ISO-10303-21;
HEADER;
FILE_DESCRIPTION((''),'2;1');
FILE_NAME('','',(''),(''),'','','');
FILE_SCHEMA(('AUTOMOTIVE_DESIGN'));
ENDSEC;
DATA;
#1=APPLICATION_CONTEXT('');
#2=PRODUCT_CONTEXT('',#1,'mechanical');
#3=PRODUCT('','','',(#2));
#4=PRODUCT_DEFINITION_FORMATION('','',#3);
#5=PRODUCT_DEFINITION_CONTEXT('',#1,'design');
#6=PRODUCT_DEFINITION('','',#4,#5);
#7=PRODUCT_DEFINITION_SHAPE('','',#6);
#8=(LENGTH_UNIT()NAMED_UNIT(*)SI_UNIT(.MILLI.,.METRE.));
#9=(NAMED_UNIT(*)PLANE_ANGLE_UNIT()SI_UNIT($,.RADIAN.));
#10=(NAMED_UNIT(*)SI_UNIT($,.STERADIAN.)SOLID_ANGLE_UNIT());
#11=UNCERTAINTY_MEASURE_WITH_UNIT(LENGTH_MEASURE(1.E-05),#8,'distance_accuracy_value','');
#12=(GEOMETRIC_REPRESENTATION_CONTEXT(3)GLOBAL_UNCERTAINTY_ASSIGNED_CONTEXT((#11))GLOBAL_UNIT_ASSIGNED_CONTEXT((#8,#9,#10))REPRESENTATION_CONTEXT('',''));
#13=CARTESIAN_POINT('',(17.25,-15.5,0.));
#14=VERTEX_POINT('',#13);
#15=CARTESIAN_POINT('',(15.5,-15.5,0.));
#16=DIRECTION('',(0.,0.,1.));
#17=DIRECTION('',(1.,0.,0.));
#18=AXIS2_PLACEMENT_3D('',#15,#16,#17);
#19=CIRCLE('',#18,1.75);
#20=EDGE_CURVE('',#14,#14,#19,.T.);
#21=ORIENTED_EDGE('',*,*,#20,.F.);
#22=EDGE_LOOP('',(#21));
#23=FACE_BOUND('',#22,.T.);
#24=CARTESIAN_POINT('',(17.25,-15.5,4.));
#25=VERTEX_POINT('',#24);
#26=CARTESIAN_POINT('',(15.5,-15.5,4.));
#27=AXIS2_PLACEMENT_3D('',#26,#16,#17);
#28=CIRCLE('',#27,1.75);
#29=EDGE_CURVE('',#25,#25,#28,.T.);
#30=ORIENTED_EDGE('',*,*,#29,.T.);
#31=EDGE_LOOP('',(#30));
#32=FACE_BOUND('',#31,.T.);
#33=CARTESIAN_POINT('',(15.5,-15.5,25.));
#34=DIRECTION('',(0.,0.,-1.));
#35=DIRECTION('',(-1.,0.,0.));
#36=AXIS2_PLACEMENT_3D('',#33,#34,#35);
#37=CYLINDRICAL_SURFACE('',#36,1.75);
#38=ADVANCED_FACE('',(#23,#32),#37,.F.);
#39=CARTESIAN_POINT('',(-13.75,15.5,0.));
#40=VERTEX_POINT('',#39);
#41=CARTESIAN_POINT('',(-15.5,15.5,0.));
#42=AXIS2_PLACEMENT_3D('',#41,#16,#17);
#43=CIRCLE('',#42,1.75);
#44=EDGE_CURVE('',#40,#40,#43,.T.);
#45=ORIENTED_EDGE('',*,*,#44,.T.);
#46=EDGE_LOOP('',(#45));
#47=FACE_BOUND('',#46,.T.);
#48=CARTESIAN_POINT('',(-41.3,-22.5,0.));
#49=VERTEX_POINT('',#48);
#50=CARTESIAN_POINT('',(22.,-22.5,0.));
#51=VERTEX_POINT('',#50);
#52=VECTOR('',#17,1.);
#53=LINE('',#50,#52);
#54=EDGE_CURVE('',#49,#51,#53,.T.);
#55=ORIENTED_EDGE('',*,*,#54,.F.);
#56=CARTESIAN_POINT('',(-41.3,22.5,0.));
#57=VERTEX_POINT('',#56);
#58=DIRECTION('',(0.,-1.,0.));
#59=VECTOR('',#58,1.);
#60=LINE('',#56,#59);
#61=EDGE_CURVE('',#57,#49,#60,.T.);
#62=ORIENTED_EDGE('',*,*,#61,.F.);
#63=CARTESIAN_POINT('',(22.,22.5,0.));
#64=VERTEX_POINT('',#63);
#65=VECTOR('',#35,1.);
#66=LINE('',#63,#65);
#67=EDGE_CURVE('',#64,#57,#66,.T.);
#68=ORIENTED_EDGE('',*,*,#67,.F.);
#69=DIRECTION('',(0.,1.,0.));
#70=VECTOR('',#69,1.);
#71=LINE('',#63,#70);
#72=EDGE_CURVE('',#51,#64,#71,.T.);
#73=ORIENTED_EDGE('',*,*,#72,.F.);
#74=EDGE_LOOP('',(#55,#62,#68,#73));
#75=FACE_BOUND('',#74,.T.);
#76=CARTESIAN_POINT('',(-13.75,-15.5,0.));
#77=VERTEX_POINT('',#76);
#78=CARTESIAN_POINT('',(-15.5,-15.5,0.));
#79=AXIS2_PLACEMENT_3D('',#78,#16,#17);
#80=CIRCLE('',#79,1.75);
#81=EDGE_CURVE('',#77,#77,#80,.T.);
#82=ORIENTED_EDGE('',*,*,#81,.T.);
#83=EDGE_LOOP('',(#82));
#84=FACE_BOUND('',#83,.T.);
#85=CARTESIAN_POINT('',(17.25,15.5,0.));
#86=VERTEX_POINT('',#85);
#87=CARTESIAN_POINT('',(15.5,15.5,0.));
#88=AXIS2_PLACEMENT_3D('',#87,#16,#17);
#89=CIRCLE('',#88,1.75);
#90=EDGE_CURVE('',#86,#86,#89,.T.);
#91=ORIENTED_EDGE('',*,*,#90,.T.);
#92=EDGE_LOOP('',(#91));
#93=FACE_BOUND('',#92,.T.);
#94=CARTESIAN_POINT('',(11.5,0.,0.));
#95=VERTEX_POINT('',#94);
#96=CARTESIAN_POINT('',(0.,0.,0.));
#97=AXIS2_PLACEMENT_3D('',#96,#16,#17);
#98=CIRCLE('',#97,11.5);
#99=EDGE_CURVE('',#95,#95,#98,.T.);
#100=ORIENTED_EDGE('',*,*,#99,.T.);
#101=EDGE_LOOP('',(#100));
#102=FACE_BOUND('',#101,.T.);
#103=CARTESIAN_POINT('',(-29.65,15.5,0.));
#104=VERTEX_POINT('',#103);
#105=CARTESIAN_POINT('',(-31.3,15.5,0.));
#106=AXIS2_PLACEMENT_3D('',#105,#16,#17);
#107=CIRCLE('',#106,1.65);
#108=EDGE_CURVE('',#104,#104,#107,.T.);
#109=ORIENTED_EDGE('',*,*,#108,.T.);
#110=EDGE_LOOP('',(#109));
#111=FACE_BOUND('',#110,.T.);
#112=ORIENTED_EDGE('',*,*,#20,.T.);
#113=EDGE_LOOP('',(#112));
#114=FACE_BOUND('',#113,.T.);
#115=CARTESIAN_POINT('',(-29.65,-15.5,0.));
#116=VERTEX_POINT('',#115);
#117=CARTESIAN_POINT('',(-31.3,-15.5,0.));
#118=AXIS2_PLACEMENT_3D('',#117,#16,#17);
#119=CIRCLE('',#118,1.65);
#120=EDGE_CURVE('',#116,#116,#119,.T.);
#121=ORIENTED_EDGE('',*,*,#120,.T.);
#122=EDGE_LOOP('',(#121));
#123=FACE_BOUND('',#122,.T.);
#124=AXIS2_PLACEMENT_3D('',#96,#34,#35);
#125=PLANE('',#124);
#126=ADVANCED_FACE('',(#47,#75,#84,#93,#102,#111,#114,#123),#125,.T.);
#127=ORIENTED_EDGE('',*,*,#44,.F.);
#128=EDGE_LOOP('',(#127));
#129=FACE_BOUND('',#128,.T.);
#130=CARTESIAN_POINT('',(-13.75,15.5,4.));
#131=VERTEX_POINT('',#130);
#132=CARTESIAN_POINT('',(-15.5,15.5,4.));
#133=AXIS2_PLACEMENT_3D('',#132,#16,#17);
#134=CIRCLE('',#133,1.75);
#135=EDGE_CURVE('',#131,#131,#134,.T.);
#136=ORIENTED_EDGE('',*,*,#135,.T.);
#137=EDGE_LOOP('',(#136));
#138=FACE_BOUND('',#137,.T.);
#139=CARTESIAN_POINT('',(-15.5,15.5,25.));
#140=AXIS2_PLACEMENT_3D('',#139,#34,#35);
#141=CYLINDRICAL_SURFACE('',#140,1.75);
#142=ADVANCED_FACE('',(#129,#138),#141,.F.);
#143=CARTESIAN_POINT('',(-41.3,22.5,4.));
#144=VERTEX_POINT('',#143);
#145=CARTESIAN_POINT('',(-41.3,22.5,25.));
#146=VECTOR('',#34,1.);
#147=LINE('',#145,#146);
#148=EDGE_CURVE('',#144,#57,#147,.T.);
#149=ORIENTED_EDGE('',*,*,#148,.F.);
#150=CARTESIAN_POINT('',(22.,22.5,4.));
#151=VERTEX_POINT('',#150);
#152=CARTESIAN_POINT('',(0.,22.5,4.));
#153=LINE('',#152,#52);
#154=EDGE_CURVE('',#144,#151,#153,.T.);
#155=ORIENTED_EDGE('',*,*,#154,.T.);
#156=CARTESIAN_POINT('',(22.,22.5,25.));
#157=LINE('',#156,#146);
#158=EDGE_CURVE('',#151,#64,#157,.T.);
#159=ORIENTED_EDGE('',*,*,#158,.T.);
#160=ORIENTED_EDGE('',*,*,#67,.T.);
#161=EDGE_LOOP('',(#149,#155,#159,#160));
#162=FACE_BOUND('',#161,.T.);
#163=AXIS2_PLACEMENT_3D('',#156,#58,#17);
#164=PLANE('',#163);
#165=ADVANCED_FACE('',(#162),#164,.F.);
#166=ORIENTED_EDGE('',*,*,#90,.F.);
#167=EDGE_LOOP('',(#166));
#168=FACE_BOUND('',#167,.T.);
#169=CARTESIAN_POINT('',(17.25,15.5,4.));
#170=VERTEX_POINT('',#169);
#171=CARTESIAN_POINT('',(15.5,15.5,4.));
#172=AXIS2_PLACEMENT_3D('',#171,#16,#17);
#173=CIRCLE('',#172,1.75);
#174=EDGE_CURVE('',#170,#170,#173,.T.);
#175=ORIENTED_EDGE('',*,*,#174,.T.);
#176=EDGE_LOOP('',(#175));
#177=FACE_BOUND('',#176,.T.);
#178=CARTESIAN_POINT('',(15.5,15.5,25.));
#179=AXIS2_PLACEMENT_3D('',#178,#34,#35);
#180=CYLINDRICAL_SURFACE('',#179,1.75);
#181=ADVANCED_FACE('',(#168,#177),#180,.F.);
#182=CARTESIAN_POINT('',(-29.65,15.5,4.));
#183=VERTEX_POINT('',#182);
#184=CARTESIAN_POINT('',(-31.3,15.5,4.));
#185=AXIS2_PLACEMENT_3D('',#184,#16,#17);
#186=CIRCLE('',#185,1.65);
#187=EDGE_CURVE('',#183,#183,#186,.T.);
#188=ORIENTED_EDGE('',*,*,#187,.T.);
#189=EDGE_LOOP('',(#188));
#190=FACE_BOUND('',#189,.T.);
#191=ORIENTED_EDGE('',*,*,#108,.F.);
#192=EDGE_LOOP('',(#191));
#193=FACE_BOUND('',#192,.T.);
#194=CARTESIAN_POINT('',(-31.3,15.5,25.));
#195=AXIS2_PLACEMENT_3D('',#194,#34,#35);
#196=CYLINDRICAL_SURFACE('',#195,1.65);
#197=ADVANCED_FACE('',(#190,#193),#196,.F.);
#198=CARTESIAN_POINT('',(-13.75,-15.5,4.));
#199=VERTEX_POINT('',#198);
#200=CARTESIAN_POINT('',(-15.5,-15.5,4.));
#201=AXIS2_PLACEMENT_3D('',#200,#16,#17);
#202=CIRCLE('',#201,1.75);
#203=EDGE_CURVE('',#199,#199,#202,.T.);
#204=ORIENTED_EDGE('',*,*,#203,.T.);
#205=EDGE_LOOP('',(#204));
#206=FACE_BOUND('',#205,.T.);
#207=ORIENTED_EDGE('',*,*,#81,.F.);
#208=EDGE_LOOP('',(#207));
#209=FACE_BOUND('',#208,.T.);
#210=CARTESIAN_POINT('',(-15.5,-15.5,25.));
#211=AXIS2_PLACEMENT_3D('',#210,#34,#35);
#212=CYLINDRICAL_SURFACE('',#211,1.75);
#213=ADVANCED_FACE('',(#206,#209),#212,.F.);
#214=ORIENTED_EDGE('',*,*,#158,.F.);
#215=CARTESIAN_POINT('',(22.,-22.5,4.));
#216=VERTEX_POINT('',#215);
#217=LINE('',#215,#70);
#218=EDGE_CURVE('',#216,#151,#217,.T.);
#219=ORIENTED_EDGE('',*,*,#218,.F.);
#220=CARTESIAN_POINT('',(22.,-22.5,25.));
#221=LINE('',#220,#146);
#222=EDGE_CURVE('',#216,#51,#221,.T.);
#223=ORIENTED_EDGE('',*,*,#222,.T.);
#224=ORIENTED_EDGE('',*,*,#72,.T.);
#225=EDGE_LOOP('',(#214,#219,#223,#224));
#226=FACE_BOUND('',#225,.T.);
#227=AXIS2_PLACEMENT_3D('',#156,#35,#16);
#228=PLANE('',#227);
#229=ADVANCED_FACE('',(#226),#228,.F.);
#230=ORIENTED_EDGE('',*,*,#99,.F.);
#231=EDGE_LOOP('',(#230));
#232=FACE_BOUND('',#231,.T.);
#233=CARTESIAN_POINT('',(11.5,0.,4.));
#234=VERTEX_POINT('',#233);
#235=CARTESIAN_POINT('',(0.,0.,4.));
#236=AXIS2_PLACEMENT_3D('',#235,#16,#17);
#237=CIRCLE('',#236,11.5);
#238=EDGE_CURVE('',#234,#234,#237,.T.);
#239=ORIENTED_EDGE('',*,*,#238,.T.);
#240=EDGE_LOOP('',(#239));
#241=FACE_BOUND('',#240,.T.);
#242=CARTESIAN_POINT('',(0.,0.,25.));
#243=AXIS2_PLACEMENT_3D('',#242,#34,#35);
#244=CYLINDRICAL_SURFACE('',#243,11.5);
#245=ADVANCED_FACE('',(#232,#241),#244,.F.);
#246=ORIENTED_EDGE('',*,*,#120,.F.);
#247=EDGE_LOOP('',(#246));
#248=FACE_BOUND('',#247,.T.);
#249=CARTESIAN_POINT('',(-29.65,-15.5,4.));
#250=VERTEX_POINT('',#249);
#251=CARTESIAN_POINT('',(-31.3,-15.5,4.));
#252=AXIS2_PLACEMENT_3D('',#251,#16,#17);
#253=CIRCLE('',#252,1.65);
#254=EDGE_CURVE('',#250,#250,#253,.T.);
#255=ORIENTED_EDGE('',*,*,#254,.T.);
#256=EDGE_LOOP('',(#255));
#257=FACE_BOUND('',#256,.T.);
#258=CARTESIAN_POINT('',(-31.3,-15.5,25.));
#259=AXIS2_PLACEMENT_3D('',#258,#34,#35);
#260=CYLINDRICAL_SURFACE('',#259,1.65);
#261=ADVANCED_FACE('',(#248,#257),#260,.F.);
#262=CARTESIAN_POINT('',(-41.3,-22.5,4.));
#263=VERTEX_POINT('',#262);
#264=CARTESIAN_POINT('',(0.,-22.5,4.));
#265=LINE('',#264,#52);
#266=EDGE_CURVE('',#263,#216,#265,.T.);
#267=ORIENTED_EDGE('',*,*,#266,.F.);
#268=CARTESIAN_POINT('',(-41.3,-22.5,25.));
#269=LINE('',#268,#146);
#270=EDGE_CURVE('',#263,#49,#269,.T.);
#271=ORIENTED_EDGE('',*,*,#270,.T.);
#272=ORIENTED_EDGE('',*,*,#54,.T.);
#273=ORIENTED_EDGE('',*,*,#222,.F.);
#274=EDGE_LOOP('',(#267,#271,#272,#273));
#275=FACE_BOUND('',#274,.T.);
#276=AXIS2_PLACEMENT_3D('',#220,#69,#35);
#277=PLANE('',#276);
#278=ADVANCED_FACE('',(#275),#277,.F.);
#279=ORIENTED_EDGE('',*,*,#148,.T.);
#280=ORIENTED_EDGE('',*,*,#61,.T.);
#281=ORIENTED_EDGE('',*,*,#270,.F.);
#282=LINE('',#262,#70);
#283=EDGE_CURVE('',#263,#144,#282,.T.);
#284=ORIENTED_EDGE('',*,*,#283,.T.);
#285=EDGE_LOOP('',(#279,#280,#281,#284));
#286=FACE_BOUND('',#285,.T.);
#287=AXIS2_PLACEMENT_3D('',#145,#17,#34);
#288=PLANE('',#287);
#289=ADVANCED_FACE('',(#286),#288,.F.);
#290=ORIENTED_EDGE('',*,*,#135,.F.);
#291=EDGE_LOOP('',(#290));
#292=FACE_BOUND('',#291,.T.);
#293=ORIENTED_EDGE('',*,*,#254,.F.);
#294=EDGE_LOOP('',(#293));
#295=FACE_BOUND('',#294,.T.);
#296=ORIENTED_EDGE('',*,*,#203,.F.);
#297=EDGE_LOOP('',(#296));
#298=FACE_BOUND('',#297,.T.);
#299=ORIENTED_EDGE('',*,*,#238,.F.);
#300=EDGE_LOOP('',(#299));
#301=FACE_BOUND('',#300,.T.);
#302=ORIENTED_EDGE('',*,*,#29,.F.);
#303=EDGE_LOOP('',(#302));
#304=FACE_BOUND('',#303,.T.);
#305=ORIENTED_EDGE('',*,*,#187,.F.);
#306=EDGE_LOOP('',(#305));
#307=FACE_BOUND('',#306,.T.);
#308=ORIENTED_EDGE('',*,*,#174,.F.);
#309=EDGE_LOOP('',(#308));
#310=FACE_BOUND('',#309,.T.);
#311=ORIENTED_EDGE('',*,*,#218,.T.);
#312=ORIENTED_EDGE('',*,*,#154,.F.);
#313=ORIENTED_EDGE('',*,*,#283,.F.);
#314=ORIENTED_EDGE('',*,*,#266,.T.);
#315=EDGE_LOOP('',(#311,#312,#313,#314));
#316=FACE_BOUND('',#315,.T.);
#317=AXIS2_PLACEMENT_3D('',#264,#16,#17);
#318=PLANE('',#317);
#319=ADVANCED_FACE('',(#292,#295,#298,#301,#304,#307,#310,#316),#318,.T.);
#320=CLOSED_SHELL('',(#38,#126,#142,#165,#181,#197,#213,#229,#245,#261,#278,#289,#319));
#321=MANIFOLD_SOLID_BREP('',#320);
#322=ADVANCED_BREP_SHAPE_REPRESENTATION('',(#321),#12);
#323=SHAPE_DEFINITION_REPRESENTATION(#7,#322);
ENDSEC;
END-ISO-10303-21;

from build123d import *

# Parameters (mm, degrees)
ESBO_O1_W                  = 63.3
ESBO_O1_H                  = 45
ESBO_O1_R                  = 11.5
ESBO_O1_R_2                = 1.75
ESBO_O1_R_3                = 1.65
RESSALTO_EXTRUS_O1_DEPTH   = 25
CORTE_EXTRUS_O1_DEPTH      = 54.262932702
CORTE_EXTRUS_O1_DEPTH_BACK = 54.262932702
ESBO_O2_W                  = 13.3
ESBO_O2_H                  = 21


with BuildPart() as part:
    # Esboço1 → Ressalto-extrusão1 (new body)
    with BuildSketch(Plane.XY):
        with Locations((-9.65, 0)):
            Rectangle(ESBO_O1_W, ESBO_O1_H)
        Circle(ESBO_O1_R, mode=Mode.SUBTRACT)
        with Locations((-15.5, 15.5)):
            Circle(ESBO_O1_R_2, mode=Mode.SUBTRACT)
        with Locations((15.5, 15.5)):
            Circle(ESBO_O1_R_2, mode=Mode.SUBTRACT)
        with Locations((15.5, -15.5)):
            Circle(ESBO_O1_R_2, mode=Mode.SUBTRACT)
        with Locations((-15.5, -15.5)):
            Circle(ESBO_O1_R_2, mode=Mode.SUBTRACT)
        with Locations((-31.3, -15.5)):
            Circle(ESBO_O1_R_3, mode=Mode.SUBTRACT)
        with Locations((-31.3, 15.5)):
            Circle(ESBO_O1_R_3, mode=Mode.SUBTRACT)
    extrude(amount=RESSALTO_EXTRUS_O1_DEPTH)

    # Esboço2 → Corte-extrusão1 (cut, two sides: drawn at the far end of the back side and taken through both)
    with BuildSketch(Plane(origin=(0, 0, 0), x_dir=(1, 0, 0), z_dir=(0, 1, 0)).offset(-CORTE_EXTRUS_O1_DEPTH_BACK)):
        with Locations((-34.65, -14.5)):
            Rectangle(ESBO_O2_W, ESBO_O2_H)
        Polygon((-23, -25), (22, -25), (22, -4), align=None)
        Polygon((-23, -25), (22, -4), (-23, -4), (-28, -4), (-28, -25), align=None)
    extrude(amount=CORTE_EXTRUS_O1_DEPTH + CORTE_EXTRUS_O1_DEPTH_BACK, mode=Mode.SUBTRACT)


solid = part.part
